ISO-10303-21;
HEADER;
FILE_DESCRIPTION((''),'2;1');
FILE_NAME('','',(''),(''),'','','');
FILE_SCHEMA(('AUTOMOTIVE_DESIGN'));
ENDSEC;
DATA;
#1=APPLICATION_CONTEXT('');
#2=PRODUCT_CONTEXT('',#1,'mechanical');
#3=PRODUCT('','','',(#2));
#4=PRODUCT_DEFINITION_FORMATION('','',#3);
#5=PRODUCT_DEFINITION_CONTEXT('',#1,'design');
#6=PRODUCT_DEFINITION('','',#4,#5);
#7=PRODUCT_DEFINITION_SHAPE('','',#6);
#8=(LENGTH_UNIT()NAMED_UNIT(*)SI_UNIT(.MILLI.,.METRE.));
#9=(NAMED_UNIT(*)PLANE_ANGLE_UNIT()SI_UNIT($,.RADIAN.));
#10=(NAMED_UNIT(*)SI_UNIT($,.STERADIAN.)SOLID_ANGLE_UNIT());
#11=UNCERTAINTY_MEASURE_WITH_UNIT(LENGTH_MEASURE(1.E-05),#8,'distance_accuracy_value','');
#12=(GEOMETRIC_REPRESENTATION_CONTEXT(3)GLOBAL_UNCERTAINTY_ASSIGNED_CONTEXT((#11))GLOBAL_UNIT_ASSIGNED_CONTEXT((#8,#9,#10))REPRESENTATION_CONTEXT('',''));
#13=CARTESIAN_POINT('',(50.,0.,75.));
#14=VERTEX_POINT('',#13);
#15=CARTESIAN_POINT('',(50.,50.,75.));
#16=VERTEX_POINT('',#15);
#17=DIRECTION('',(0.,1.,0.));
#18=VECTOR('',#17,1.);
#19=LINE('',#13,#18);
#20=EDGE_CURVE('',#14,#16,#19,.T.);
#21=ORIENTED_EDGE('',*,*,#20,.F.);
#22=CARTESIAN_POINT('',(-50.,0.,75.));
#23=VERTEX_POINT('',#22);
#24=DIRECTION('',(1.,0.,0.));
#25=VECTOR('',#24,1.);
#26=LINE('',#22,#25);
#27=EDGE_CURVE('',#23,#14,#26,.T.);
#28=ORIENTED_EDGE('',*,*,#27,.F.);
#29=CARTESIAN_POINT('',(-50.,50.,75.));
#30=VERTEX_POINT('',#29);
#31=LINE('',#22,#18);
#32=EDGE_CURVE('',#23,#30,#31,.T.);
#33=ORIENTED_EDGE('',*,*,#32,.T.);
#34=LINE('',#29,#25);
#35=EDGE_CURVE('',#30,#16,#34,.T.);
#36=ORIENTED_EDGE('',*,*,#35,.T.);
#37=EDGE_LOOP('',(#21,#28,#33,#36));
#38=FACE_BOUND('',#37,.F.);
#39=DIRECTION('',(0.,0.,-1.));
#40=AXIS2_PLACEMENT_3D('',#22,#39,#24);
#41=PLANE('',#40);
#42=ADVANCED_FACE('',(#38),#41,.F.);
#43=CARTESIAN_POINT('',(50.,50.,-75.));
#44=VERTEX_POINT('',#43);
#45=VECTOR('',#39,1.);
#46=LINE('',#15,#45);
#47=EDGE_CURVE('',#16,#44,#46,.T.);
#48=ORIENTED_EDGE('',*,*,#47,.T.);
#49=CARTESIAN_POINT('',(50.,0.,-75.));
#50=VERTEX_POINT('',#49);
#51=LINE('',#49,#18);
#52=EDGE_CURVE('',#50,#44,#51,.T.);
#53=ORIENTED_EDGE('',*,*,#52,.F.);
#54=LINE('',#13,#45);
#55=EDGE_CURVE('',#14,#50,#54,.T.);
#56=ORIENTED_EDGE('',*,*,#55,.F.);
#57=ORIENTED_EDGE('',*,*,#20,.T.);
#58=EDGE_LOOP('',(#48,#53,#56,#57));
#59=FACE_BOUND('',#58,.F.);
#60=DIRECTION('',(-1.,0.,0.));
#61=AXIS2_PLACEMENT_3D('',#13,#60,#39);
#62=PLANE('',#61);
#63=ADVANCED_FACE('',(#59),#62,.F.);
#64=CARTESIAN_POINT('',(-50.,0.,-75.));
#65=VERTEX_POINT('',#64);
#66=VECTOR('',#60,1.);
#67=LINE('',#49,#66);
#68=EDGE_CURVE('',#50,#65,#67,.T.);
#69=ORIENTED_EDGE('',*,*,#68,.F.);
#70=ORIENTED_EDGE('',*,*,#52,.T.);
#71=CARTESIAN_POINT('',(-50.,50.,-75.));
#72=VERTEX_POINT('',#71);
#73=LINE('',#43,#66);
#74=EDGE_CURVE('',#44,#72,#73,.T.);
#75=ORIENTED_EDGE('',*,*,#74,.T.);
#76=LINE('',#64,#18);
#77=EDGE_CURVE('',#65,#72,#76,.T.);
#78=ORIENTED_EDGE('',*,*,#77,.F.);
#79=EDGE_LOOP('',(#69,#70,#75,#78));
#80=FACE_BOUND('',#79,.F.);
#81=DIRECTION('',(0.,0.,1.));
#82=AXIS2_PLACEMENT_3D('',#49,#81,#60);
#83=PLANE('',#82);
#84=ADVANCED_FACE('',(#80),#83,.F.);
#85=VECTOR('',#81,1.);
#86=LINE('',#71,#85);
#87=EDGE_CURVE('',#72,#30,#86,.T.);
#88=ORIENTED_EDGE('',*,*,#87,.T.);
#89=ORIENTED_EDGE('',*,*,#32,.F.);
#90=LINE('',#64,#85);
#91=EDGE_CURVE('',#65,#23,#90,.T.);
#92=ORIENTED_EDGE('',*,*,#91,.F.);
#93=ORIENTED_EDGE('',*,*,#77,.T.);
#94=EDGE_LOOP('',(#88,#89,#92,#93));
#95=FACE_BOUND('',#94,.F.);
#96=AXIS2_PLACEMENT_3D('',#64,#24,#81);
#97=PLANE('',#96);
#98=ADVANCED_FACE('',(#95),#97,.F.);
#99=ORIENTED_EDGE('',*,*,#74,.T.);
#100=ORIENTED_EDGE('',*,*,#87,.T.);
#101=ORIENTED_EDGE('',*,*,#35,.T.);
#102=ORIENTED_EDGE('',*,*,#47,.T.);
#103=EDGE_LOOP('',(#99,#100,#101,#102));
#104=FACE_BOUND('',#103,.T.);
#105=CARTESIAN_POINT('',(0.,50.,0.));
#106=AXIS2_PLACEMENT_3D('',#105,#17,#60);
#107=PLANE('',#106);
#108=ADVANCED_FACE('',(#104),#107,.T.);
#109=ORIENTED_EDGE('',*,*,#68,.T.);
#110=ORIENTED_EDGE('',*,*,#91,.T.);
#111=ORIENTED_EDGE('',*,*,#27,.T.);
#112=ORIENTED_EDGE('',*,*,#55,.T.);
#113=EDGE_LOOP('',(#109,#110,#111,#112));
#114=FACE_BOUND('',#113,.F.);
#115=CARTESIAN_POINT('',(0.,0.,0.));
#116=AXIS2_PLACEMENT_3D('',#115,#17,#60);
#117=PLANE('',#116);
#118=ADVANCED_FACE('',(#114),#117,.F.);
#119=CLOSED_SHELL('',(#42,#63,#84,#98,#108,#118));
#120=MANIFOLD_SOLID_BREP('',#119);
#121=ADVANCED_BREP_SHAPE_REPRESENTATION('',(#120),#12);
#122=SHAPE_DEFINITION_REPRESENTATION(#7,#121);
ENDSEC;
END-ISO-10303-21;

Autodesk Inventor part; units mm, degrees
ref_plane "YZ Plane" through (0, 0, 0) normal (1, 0, 0) x (0, 1, 0)
ref_plane "XZ Plane" through (0, 0, 0) normal (0, 1, 0) x (-1, 0, 0)
ref_plane "XY Plane" through (0, 0, 0) normal (0, 0, 1) x (1, 0, 0)
sketch "Sketch1" plane through (0, 0, 0) normal (0, 1, 0) x (-1, 0, 0)
  line L0 (50, 75) -> (-50, 75)
  line L1 (-50, 75) -> (-50, -75)
  line L2 (-50, -75) -> (50, -75)
  line L3 (50, -75) -> (50, 75)
  point P0 (0, 0)
  dimension "d0" = 150
  dimension "d1" = 100
  dimension "d2" = 50
  dimension "d3" = 75
extrude "Extrusion1" add sketch "Sketch1" along normal blind 50
properties part number "backboard"
